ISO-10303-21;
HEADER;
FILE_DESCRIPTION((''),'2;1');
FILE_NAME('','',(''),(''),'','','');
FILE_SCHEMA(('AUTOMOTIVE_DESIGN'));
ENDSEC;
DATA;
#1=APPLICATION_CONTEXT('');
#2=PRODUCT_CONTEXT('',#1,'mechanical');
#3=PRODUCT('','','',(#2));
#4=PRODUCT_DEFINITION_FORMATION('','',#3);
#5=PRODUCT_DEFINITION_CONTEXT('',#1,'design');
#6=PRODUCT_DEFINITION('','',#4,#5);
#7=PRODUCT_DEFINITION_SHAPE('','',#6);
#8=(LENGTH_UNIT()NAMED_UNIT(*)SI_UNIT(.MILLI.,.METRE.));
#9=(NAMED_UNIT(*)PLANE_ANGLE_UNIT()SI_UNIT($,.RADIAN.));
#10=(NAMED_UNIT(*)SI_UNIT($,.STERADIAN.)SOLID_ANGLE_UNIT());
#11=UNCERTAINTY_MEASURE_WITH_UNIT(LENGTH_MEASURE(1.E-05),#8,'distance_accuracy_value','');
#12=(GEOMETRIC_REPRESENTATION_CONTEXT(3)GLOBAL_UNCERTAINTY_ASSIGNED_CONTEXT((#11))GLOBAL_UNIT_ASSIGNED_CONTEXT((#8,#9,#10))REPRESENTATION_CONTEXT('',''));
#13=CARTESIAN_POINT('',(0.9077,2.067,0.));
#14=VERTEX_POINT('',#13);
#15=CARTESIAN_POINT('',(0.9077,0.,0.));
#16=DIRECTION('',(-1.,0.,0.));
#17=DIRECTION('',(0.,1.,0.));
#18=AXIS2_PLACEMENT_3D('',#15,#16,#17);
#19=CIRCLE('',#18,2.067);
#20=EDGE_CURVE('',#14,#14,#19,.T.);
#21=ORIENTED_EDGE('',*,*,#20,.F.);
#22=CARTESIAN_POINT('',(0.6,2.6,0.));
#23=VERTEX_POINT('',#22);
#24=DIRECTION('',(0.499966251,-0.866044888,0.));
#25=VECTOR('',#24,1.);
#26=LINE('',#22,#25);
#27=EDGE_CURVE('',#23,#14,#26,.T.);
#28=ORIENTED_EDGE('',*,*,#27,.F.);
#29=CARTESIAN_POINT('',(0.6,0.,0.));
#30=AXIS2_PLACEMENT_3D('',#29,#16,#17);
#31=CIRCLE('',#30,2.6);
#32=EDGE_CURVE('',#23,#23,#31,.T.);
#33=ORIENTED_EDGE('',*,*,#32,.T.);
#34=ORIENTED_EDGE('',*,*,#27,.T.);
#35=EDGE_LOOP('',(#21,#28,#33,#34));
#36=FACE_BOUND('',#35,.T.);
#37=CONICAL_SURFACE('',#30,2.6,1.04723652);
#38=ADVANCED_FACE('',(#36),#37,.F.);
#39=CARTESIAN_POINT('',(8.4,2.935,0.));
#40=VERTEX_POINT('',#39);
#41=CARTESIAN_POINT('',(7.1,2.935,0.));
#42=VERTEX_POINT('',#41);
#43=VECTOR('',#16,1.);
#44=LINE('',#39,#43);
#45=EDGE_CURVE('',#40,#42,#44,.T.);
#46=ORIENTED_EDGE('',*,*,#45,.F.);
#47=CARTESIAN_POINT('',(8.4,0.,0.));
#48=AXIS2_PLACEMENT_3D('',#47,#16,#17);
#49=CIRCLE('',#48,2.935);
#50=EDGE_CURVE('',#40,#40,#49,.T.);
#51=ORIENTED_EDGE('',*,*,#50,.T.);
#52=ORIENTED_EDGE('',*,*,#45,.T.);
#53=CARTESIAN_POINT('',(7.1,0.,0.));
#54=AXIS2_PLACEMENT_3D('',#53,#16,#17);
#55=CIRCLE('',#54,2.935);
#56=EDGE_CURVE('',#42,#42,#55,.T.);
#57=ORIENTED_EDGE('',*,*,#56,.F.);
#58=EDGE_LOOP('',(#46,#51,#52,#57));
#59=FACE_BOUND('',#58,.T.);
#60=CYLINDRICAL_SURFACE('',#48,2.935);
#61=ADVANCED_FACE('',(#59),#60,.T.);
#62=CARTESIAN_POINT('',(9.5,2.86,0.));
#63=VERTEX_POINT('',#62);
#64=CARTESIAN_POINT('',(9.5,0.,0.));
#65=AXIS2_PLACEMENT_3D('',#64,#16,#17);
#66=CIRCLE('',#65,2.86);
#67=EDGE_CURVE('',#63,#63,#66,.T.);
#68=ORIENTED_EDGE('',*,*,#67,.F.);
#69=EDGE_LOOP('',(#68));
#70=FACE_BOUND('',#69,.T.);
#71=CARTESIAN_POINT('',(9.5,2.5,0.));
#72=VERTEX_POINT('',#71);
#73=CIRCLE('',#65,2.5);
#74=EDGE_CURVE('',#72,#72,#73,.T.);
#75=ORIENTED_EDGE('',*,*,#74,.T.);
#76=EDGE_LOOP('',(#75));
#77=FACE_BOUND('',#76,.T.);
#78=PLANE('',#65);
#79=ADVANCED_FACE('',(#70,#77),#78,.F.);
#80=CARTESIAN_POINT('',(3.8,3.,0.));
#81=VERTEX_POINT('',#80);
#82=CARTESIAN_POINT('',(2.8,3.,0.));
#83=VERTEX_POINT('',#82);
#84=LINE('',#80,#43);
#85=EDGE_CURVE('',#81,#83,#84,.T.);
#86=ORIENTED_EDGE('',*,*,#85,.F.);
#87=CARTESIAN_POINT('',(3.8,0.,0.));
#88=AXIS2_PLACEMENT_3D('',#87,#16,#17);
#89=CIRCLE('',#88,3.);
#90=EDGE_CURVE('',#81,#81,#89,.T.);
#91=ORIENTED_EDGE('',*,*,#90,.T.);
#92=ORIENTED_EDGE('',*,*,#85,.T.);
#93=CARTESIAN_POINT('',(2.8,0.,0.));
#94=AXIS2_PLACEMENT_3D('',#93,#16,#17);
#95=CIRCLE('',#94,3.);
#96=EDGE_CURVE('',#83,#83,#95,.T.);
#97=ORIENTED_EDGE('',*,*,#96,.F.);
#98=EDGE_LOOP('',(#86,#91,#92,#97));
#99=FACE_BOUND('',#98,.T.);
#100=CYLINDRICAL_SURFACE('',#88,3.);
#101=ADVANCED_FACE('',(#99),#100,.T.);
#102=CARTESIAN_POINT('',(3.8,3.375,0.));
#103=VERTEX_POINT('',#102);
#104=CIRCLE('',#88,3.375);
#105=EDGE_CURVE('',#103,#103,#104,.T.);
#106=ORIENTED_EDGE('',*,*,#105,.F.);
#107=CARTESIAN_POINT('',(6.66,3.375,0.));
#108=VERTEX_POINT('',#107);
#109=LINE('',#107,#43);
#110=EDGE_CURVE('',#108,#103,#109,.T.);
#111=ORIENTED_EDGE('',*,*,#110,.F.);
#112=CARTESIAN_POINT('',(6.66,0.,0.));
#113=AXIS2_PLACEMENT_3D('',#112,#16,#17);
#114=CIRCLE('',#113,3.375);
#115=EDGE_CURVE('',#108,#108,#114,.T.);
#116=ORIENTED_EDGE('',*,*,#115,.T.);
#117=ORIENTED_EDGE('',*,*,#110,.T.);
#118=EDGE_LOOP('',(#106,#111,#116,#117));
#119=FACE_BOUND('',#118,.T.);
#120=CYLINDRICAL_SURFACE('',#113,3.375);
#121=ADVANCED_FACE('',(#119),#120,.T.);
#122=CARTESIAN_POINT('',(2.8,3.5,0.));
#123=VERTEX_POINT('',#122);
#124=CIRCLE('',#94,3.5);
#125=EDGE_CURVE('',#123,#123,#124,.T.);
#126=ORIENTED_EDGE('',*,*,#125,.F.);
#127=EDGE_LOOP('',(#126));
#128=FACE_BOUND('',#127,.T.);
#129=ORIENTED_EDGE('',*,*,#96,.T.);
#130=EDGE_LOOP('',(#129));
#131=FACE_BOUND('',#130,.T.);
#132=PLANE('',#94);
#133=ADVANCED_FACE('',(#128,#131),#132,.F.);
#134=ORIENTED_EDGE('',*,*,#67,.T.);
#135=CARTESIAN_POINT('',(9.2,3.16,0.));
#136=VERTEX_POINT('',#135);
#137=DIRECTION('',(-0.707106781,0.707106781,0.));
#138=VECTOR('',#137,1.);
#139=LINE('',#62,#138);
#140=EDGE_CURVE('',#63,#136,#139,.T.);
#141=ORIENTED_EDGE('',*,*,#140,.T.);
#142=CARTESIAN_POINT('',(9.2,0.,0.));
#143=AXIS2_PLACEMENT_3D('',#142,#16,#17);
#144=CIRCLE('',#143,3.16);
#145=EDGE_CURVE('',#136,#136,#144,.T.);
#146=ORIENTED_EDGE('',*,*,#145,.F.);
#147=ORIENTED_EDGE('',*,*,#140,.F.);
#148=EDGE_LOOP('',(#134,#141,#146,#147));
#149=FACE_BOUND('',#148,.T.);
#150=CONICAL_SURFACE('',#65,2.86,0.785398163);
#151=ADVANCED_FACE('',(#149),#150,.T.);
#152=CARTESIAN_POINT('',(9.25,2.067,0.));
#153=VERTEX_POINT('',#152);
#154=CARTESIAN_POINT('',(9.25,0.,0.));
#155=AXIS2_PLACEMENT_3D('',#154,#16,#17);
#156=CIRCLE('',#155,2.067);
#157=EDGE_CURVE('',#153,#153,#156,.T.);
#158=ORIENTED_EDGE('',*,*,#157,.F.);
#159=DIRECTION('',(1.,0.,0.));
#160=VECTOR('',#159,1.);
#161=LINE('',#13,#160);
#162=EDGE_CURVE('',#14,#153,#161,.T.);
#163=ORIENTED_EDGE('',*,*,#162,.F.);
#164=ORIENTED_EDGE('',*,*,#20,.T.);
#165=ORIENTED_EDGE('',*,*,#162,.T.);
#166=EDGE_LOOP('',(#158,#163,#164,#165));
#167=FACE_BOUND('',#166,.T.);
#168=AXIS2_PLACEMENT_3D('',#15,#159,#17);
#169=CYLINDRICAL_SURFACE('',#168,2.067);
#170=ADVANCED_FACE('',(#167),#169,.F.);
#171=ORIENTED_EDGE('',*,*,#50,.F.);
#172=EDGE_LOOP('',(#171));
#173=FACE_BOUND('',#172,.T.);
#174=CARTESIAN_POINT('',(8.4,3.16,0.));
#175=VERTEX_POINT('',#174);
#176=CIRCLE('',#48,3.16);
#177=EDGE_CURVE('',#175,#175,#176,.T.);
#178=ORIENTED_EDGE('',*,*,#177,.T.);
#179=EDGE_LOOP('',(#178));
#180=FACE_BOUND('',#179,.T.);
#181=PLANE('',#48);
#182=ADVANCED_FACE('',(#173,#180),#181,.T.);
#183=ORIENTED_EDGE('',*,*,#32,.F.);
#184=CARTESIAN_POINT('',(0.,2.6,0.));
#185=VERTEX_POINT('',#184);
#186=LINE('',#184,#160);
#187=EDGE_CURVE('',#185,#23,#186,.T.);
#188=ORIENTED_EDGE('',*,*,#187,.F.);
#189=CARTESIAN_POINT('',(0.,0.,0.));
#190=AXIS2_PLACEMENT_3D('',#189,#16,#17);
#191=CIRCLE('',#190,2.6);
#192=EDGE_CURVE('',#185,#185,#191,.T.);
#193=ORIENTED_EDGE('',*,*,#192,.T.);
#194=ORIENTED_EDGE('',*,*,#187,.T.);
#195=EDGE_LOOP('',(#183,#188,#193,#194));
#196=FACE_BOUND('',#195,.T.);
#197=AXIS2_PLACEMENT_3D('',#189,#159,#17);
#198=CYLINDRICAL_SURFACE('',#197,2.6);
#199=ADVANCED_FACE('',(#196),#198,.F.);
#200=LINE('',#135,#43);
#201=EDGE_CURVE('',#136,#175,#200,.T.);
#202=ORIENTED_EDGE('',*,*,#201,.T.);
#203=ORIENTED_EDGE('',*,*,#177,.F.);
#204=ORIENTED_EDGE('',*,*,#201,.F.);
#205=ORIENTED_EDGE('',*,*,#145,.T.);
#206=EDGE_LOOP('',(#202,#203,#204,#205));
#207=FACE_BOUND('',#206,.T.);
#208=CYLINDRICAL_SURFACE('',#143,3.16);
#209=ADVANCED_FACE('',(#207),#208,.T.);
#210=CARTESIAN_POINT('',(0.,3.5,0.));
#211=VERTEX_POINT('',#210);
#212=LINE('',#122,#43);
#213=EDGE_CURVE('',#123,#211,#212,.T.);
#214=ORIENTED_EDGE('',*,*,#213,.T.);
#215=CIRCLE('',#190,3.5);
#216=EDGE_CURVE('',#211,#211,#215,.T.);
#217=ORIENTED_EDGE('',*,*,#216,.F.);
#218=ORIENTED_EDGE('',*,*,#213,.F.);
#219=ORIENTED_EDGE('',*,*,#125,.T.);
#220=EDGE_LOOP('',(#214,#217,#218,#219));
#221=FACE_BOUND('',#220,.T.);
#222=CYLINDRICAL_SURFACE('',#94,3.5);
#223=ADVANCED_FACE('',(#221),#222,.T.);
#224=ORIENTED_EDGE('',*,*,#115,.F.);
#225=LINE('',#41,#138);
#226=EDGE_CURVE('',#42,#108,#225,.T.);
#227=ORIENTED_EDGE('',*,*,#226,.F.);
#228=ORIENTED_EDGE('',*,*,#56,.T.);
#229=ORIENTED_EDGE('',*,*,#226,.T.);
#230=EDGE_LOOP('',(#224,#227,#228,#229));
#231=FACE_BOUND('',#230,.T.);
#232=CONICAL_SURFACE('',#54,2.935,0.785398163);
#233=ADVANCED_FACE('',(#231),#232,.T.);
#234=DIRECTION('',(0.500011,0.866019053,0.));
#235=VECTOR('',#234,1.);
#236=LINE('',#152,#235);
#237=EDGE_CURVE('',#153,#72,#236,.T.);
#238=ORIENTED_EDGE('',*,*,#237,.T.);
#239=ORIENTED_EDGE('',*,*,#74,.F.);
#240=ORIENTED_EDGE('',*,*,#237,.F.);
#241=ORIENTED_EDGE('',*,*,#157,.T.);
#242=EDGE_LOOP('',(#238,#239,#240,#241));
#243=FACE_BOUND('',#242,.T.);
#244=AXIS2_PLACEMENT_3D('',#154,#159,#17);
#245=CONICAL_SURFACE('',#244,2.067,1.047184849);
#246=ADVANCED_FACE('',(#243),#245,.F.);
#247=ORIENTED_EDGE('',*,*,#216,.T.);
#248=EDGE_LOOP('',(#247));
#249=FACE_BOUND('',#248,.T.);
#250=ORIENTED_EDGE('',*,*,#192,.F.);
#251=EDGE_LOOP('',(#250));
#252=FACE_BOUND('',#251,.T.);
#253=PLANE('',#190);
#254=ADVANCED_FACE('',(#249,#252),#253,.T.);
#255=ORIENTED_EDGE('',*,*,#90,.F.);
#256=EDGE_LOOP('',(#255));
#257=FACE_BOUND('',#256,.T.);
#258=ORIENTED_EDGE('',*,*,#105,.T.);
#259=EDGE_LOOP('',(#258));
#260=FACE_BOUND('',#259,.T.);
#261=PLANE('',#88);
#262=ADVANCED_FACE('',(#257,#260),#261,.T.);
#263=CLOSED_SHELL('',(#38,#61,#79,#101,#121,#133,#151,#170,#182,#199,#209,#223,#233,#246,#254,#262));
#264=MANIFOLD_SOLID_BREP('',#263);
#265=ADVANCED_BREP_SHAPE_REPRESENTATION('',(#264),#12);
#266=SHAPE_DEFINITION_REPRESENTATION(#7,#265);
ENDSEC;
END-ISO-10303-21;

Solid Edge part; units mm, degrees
sketch "Sketch1" plane through (0, 0, 0) normal (0, 0, 1) x (1, 0, 0)
  line L0 (0, 3.5) -> (0, 2.6)
  line L1 (0, 2.6) -> (0.6, 2.6)
  line L2 (0.6, 2.6) -> (0.9077, 2.067)
  line L3 (0.9077, 2.067) -> (9.25, 2.067)
  line L4 (9.25, 2.067) -> (9.5, 2.5)
  line L5 (9.5, 2.5) -> (9.5, 2.86)
  line L6 (9.5, 2.86) -> (9.2, 3.16)
  line L7 (9.2, 3.16) -> (8.4, 3.16)
  line L8 (8.4, 3.16) -> (8.4, 2.935)
  line L9 (8.4, 2.935) -> (7.1, 2.935)
  line L10 (7.1, 2.935) -> (6.66, 3.375)
  line L11 (6.66, 3.375) -> (3.8, 3.375)
  line L12 (3.8, 3.375) -> (3.8, 3)
  line L13 (3.8, 3) -> (2.8, 3)
  line L14 (2.8, 3) -> (2.8, 3.5)
  line L15 (2.8, 3.5) -> (0, 3.5)
revolve "RevolvedProtrusion1" add sketch "Sketch1" angle 360 about axis through (9.5, 0, 0) along (-1, 0, 0)
cosmetic_thread "Thread1" size "M5"
properties part number "KerbKonus 860000050800"
